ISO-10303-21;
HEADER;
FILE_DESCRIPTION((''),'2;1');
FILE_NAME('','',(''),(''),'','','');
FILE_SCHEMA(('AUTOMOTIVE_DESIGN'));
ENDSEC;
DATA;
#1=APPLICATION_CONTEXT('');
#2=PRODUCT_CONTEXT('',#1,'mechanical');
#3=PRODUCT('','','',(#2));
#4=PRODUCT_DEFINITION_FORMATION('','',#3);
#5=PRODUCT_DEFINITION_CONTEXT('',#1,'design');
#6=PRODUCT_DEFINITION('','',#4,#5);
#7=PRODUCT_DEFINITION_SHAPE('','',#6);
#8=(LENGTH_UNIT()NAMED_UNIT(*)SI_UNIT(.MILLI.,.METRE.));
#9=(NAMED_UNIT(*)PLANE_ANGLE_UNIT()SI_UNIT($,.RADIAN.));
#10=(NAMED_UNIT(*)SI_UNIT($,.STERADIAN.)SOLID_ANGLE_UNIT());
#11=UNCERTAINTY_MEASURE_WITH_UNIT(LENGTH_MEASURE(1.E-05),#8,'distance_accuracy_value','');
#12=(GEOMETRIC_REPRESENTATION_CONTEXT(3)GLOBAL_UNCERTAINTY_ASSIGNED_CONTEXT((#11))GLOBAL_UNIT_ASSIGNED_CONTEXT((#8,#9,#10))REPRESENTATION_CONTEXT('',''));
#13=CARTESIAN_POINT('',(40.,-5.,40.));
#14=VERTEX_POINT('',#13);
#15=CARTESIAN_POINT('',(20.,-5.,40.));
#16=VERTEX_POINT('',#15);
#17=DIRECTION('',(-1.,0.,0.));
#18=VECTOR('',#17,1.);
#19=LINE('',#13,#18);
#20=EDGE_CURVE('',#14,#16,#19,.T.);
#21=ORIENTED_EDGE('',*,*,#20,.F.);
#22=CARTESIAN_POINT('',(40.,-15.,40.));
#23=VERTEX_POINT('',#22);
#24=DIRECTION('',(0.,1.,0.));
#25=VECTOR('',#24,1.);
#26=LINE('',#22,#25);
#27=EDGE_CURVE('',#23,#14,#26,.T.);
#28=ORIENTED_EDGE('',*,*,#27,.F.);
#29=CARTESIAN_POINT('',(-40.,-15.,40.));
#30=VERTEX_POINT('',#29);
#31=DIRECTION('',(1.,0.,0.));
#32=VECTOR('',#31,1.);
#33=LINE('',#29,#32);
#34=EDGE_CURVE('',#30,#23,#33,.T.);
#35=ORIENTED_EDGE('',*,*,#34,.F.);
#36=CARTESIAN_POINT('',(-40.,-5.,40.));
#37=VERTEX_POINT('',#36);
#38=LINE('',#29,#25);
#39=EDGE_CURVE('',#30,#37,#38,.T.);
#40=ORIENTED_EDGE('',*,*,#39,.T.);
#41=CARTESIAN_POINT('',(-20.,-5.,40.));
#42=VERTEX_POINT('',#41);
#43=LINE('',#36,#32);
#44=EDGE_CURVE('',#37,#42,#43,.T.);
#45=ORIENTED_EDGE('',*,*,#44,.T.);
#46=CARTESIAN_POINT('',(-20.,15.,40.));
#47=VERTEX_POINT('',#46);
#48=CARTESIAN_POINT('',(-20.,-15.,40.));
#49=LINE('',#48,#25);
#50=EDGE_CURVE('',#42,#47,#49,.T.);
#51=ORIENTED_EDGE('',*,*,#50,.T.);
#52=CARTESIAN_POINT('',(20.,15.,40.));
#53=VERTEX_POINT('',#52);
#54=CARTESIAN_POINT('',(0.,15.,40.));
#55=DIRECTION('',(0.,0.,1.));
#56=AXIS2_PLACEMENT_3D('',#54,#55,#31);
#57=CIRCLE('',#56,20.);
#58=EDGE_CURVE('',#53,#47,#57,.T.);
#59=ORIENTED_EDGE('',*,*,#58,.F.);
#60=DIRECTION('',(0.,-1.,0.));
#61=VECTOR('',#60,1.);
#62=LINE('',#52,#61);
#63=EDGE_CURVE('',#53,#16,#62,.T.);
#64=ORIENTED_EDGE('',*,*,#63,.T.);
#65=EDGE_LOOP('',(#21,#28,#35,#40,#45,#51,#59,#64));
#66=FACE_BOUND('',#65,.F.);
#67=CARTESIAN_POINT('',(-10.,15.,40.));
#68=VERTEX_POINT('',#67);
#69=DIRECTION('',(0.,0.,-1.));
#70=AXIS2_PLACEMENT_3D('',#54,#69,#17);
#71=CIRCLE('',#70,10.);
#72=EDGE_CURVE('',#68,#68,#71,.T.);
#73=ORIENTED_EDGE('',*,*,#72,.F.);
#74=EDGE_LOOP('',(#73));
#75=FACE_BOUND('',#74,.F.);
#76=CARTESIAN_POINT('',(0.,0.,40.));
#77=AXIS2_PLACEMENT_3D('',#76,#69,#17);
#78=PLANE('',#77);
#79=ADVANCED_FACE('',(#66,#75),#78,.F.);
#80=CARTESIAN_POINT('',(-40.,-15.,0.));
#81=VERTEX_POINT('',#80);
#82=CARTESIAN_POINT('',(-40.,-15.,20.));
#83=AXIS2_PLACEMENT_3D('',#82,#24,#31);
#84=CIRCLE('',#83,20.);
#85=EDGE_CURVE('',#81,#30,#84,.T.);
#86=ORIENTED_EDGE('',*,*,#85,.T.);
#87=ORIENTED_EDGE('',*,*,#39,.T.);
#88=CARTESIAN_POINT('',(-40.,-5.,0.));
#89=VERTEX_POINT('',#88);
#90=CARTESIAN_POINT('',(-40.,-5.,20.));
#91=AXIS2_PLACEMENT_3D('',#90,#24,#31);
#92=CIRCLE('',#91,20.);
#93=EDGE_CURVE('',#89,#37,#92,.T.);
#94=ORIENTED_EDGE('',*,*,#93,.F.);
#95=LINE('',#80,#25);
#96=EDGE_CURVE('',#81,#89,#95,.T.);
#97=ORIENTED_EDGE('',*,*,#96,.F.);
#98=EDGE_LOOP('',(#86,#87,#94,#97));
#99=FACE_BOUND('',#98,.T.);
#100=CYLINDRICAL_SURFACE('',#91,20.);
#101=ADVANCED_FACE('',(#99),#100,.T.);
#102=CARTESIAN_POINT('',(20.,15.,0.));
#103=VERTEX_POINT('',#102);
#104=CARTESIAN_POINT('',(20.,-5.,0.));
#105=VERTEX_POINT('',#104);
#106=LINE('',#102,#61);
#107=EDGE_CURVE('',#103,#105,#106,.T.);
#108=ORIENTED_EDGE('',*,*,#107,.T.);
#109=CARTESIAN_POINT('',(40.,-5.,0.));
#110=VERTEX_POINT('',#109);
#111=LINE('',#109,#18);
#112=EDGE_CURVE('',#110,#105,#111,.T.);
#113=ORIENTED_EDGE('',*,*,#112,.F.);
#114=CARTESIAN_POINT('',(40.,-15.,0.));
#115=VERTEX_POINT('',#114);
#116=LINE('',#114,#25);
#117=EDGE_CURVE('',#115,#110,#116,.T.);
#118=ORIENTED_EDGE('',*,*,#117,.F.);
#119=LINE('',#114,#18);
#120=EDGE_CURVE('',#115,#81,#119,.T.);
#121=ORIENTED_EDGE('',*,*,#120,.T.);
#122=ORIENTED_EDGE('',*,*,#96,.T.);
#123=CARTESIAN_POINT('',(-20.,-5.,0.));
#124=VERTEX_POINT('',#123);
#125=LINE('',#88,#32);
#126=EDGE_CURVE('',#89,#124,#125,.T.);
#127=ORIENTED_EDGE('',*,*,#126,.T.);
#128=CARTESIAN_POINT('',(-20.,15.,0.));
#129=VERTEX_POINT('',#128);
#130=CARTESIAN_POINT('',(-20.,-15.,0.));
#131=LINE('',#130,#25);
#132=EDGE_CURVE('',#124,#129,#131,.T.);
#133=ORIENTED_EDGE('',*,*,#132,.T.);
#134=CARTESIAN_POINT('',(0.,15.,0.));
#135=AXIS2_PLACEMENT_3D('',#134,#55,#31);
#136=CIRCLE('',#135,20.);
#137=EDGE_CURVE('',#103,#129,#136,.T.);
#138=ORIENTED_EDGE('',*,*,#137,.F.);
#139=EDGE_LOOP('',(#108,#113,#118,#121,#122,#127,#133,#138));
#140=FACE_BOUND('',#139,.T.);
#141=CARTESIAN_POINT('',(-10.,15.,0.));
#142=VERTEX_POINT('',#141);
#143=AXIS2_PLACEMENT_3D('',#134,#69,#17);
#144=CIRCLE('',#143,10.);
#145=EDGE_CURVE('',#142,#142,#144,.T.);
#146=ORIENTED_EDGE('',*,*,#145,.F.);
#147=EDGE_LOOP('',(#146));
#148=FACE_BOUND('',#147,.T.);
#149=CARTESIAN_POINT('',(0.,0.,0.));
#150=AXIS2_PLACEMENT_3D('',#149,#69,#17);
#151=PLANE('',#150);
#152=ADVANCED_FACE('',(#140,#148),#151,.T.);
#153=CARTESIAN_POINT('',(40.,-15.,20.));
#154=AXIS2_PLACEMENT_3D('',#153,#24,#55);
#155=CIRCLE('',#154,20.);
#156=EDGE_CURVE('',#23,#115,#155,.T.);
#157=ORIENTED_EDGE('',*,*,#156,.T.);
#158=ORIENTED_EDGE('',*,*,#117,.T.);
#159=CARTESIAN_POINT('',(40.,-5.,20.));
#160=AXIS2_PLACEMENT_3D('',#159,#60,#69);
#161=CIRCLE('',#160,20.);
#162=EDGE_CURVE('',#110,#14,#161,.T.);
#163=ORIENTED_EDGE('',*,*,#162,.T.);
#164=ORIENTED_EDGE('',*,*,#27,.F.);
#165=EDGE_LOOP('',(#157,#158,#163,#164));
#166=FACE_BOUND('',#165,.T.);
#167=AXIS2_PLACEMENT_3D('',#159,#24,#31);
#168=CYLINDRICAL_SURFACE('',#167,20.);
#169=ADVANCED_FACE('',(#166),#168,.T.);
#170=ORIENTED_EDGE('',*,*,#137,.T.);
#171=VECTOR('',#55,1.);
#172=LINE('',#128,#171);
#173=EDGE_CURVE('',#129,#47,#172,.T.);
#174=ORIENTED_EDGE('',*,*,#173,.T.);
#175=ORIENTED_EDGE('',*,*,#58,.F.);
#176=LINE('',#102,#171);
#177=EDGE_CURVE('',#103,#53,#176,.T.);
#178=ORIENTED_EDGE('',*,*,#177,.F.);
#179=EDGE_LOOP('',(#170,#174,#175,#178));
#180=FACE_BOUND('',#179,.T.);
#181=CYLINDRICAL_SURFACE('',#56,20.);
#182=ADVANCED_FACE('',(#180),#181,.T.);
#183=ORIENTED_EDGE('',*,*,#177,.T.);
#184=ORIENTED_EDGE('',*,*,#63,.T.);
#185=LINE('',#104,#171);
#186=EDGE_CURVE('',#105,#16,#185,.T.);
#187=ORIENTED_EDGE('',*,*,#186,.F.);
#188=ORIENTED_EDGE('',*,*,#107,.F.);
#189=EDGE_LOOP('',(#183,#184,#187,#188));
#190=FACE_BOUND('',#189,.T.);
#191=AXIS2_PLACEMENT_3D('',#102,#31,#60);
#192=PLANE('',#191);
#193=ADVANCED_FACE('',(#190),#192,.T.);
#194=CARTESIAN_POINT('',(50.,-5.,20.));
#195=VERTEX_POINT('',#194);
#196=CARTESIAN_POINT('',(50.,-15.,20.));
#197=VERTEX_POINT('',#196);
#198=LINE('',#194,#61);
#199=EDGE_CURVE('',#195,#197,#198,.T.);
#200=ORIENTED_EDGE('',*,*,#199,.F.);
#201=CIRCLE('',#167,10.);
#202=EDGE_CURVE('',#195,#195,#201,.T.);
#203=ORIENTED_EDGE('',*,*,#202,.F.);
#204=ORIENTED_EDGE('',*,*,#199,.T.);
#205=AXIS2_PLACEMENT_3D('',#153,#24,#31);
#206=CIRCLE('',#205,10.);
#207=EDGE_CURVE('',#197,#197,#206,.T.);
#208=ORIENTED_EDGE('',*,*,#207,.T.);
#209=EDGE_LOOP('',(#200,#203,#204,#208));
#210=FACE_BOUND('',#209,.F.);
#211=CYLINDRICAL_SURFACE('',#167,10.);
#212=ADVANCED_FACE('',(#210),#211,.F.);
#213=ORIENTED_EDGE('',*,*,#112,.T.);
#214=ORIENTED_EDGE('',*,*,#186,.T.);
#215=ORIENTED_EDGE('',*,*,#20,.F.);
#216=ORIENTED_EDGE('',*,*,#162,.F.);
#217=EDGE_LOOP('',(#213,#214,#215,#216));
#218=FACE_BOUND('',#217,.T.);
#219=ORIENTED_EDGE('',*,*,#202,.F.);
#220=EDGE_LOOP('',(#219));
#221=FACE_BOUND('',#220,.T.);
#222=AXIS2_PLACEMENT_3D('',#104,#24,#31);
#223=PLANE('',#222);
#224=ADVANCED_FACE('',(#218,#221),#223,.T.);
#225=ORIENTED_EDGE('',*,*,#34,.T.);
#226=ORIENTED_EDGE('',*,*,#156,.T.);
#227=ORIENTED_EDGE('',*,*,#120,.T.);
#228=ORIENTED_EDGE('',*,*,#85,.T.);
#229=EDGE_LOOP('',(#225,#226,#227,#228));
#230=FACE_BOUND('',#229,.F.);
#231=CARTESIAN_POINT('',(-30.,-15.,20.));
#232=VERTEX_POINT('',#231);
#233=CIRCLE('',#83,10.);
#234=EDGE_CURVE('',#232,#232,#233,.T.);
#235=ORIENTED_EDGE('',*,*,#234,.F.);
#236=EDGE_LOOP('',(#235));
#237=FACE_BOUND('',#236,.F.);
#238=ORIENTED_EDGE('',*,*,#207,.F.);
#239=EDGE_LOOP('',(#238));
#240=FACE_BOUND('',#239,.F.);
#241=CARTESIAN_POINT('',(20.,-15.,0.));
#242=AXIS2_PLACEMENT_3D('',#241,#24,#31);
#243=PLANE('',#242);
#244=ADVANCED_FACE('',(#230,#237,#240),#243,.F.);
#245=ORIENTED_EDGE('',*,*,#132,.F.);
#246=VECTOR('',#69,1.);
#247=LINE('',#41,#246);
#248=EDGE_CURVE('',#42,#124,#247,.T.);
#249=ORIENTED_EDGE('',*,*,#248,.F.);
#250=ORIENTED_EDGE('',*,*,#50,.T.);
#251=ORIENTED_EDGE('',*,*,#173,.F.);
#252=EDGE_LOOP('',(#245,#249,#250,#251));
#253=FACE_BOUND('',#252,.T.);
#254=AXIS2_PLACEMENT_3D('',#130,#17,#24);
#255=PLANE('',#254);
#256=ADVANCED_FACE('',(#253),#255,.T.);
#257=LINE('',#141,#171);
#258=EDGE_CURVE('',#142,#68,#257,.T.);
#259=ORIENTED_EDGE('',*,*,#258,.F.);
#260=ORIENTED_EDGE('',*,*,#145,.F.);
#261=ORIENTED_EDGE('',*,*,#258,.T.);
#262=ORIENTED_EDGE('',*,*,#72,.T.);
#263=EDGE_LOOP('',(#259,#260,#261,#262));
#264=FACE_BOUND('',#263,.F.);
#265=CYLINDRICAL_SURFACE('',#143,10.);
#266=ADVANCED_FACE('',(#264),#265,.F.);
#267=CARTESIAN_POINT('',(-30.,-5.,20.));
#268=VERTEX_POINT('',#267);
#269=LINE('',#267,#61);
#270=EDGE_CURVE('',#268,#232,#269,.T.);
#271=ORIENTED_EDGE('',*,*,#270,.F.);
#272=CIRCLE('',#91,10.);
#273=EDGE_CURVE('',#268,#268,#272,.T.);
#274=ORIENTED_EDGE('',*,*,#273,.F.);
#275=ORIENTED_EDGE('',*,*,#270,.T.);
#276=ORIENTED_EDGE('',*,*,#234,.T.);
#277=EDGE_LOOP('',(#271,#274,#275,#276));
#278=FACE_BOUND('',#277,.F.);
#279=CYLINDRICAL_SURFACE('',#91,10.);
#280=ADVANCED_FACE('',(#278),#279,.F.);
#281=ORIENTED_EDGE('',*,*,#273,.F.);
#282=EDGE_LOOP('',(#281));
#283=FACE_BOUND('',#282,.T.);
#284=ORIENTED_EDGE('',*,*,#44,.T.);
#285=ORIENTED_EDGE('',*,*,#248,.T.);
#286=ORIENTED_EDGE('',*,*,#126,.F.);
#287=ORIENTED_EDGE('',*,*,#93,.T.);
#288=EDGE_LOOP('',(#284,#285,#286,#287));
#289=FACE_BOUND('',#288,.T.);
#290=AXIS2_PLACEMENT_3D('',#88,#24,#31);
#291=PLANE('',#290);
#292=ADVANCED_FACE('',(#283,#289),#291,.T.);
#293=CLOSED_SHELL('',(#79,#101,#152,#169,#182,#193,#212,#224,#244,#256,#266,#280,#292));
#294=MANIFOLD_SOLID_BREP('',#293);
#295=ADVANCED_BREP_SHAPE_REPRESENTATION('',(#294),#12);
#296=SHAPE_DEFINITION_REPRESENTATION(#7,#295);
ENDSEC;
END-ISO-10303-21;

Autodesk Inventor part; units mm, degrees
ref_plane "YZ Plane" through (0, 0, 0) normal (1, 0, 0) x (0, 1, 0)
ref_plane "XZ Plane" through (0, 0, 0) normal (0, 1, 0) x (-1, 0, 0)
ref_plane "XY Plane" through (0, 0, 0) normal (0, 0, 1) x (1, 0, 0)
sketch "Boceto2" plane through (0, 0, 0) normal (0, 0, 1) x (1, 0, 0)
  line L0 (20, -15) -> (-20, -15)
  line L1 (-20, -15) -> (-20, 15)
  line L2 (-20, 15) -> (20, 15)
  line L3 (20, 15) -> (20, -15)
  line L4 (20, -15) -> (-20, 15) construction
  line L5 (-20, -15) -> (20, 15) construction
  point P0 (0, 0)
  dimension "d7" = 40
  dimension "d8" = 30
extrude "Extrusión2" add sketch "Boceto2" along normal blind 40
sketch "Boceto4" plane through (0, 0, 40) normal (0, 0, 1) x (1, 0, 0)
  line L0 (20, 15) -> (-20, 15) projected
  circle A0 centre (0, 15) radius 20
  point P0 (0, 0)
extrude "Extrusión3" add sketch "Boceto4" against normal blind 40 contours L0 A0 picked at (4.9901, 19.4208)
sketch "Boceto6" plane through (0, 0, 0) normal (0, 0, -1) x (-1, 0, 0)
  line L0 (-20, -15) -> (-20, 15) projected
  line L1 (-20, -15) -> (-40, -15)
  line L2 (-40, -15) -> (-40, -5)
  line L3 (-40, -5) -> (-20, -5)
  line L4 (-20, -5) -> (-20, -15)
  point P0 (0, 0)
  point P1 (-20, -5)
  dimension "d17" = 20
  dimension "d18" = 10
extrude "Extrusión5" add sketch "Boceto6" against normal blind 40
sketch "Boceto7" plane through (0, 0, 0) normal (0, 0, -1) x (-1, 0, 0)
  line L0 (20, 15) -> (20, -15) projected
  line L1 (20, -15) -> (40, -15)
  line L2 (40, -15) -> (40, -5)
  line L3 (40, -5) -> (20, -5)
  line L4 (20, -5) -> (20, -15)
  point P0 (0, 0)
  dimension "d21" = 20
  dimension "d22" = 10
extrude "Extrusión6" add sketch "Boceto7" against normal blind 40
sketch "Boceto8" plane through (-40, -5, 0) normal (0, 1, 0) x (1, 0, 0)
  circle A0 centre (0, -20) radius 20
  point P0 (40, 0)
  point P1 (0, 0)
extrude "Extrusión7" add sketch "Boceto8" against normal blind 10
sketch "Boceto9" plane through (20, -5, 0) normal (0, 1, 0) x (1, 0, 0)
  line L0 (20, 0) -> (-60, 0) projected
  line L1 (20, 0) -> (20, -40) projected
  circle A0 centre (20, -20) radius 20
  point P0 (-20, 0)
  point P1 (20, -40)
extrude "Extrusión8" add sketch "Boceto9" against normal blind 10 contours A0 L1 picked at (27.983, -21.6506)
sketch "Boceto10" plane through (0, 0, 0) normal (0, 0, -1) x (-1, 0, 0)
  arc A0 (20, 15) -> (-20, 15) centre (0, 15) ccw projected
  circle A1 centre (0, 15) radius 10
  point P0 (0, 0)
  dimension "d31" = 20
extrude "Extrusión9" cut sketch "Boceto10" against normal blind 40
sketch "Boceto11" plane through (-20, -5, 40) normal (0, 1, 0) x (1, 0, 0)
  arc A0 (-20, 40) -> (-20, 0) centre (-20, 20) ccw projected
  circle A1 centre (-20, 20) radius 10
  point P0 (20, 40)
  dimension "d34" = 20
extrude "Extrusión10" cut sketch "Boceto11" against normal blind 10
sketch "Boceto12" plane through (20, -5, 40) normal (0, 1, 0) x (1, 0, 0)
  arc A0 (20, 0) -> (20, 40) centre (20, 20) ccw projected
  circle A1 centre (20, 20) radius 10
  point P0 (-20, 40)
  dimension "d37" = 20
extrude "Extrusión11" cut sketch "Boceto12" against normal blind 10
properties part number "Actividad 1 Lab Dinámica Alison Martínez 1190119"
